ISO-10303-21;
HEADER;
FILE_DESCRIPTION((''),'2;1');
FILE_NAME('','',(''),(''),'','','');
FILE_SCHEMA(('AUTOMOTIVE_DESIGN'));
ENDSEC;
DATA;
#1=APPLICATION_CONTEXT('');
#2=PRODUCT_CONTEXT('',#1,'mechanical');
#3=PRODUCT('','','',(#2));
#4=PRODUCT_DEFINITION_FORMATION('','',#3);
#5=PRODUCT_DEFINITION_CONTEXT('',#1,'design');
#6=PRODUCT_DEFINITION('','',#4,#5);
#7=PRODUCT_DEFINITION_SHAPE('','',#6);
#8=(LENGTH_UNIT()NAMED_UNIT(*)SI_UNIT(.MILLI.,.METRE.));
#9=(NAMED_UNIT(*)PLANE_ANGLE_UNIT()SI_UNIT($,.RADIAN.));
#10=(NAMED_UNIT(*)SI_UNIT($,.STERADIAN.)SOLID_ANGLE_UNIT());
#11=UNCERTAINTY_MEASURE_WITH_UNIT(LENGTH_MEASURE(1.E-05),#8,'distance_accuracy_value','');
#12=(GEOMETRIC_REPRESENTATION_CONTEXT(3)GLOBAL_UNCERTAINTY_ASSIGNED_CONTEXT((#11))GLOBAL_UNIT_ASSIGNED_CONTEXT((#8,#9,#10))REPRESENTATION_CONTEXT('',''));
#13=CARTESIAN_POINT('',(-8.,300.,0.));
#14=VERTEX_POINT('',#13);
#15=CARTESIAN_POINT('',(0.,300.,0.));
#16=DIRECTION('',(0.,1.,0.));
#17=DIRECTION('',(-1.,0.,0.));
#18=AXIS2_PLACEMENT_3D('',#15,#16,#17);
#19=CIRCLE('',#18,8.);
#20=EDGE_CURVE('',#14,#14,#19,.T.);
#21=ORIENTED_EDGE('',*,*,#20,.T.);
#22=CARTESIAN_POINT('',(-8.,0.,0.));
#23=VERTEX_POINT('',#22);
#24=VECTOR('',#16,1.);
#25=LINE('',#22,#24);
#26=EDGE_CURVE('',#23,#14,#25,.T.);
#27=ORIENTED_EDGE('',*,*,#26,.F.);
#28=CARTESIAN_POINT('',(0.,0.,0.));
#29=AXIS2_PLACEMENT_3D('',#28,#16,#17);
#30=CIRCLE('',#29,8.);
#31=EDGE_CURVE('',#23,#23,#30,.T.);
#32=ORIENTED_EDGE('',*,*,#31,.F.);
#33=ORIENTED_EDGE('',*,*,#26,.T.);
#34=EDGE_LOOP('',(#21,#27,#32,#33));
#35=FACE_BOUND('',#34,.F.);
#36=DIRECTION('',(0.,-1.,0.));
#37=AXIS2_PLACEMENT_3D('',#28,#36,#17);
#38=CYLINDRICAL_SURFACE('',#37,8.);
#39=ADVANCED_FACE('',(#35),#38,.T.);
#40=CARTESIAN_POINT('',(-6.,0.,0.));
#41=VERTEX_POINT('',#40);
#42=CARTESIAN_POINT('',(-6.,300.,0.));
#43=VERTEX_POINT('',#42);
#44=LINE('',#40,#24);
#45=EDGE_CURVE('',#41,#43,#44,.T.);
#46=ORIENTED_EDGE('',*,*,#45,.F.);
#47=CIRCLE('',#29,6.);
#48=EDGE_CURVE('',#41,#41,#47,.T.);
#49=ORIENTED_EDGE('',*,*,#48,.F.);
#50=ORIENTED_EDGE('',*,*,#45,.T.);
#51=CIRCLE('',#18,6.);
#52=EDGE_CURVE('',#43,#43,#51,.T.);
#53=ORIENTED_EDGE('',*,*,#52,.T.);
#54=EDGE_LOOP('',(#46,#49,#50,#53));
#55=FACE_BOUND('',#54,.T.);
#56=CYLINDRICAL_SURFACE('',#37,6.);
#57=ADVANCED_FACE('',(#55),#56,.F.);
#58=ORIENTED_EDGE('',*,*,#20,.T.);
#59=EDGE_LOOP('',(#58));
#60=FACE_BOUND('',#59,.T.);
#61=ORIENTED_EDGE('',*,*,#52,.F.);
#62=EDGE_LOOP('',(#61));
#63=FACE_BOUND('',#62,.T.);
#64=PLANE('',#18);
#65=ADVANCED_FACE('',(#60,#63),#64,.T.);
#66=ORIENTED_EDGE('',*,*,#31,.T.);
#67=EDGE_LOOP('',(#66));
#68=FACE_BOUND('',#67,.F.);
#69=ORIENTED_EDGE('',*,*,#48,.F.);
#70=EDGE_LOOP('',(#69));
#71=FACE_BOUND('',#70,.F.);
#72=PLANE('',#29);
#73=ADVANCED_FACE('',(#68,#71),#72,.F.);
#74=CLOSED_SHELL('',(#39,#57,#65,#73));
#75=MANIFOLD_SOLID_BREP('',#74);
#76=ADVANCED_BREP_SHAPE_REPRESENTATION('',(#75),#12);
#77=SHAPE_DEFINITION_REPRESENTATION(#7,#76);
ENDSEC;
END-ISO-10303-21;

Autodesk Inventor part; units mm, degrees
ref_plane "YZ Plane" through (0, 0, 0) normal (1, 0, 0) x (0, 1, 0)
ref_plane "XZ Plane" through (0, 0, 0) normal (0, 1, 0) x (-1, 0, 0)
ref_plane "XY Plane" through (0, 0, 0) normal (0, 0, 1) x (1, 0, 0)
sketch "Skizze1" plane through (0, 0, 0) normal (0, 1, 0) x (-1, 0, 0)
  circle A0 centre (0, 0) radius 8
  circle A1 centre (0, 0) radius 6
  dimension "d0" = 16
  dimension "d1" = 12
extrude "Extrusion1" add sketch "Skizze1" along normal blind 300
properties part number "drive_shaft_center"
